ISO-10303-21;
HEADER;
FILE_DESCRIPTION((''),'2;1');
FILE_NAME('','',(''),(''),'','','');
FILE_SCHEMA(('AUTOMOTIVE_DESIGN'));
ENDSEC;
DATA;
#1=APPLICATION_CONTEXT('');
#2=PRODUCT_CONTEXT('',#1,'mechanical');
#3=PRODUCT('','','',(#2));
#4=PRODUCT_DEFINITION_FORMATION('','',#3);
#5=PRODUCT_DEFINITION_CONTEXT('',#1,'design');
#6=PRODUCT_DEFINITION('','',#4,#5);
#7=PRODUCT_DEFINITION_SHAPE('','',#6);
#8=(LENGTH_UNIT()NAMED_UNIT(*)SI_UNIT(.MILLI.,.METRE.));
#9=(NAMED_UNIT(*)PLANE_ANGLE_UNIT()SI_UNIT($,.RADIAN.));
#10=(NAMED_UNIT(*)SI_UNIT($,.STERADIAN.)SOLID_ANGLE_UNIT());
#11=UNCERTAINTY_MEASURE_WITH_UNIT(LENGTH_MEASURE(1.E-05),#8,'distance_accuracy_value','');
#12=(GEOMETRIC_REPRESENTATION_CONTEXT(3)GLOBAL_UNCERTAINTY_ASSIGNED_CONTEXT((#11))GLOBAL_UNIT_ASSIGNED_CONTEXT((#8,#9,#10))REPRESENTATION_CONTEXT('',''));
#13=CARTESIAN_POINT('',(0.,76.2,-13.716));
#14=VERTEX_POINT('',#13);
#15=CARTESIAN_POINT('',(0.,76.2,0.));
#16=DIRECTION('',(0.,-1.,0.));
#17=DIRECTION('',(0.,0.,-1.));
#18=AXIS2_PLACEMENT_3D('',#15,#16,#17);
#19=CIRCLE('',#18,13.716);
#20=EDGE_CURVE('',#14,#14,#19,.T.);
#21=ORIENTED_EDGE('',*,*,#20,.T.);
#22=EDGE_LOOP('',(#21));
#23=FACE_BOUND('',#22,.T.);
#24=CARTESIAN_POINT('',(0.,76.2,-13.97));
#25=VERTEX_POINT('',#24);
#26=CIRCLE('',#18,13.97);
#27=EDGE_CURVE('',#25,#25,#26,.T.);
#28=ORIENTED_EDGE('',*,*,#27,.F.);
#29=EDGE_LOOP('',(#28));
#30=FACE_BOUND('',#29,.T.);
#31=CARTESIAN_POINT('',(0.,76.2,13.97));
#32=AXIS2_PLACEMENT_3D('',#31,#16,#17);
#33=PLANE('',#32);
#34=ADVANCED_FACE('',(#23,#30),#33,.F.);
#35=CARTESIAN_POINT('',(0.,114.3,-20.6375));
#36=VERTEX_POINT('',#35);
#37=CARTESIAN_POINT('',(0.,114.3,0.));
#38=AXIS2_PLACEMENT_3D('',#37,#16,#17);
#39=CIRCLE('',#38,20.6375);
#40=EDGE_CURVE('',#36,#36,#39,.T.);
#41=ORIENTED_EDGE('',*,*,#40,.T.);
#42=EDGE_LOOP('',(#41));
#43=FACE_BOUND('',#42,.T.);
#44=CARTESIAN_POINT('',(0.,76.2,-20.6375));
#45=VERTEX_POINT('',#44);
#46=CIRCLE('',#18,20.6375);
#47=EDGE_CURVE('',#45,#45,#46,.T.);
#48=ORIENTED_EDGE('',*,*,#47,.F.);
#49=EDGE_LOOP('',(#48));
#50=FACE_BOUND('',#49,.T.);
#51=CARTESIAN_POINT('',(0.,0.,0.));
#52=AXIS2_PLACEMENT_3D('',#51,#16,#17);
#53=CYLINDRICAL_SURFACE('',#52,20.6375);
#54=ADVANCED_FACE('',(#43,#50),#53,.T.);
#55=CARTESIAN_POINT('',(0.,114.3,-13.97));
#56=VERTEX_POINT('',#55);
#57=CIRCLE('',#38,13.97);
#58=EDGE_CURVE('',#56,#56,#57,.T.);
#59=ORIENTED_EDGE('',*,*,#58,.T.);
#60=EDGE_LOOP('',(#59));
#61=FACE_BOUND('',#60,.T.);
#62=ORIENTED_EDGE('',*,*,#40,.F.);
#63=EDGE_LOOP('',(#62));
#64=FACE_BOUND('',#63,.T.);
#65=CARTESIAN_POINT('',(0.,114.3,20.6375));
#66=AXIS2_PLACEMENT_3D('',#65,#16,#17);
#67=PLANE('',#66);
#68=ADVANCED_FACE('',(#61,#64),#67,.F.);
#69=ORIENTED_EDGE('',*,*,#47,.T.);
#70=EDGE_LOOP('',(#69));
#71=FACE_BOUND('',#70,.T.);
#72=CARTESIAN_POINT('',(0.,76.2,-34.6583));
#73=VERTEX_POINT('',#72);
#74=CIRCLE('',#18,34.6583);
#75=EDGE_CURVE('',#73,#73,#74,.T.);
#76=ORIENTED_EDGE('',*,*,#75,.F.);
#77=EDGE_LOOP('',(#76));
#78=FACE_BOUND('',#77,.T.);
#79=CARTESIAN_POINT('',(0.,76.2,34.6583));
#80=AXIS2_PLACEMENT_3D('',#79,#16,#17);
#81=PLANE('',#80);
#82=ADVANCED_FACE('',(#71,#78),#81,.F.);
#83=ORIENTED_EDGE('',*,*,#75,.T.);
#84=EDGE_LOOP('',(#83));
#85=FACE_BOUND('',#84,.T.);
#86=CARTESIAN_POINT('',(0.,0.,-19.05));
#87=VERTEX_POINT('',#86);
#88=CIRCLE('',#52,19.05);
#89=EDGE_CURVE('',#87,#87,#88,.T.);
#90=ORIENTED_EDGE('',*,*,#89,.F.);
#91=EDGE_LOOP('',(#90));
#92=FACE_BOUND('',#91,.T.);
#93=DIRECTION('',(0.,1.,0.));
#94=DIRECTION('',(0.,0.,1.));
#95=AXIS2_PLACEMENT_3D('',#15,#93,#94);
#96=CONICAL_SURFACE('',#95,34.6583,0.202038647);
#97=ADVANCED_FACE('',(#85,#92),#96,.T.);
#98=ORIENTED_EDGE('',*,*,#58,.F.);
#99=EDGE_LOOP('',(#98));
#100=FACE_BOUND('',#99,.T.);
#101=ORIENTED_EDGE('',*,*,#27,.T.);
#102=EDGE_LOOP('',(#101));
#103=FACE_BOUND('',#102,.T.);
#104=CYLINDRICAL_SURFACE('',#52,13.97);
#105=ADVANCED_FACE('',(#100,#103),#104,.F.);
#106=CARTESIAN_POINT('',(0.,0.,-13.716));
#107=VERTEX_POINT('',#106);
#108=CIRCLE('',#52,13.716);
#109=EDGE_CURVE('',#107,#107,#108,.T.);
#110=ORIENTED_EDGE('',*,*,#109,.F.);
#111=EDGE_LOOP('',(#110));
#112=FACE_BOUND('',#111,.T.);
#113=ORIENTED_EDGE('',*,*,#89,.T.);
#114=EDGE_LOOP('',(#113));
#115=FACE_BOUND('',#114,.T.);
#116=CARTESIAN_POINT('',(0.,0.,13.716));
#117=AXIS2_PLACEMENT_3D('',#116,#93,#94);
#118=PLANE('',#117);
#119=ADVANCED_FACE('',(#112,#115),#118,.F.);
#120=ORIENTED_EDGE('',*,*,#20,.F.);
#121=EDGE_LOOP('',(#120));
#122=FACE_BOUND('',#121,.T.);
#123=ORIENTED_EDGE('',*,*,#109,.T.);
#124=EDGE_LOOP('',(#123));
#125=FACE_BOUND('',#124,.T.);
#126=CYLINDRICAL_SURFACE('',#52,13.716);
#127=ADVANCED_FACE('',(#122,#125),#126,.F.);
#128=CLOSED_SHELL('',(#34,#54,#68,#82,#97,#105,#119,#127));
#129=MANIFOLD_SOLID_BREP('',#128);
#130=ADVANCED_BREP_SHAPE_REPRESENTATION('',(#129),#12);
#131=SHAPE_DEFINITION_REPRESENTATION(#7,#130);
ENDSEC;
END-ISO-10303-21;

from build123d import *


with BuildPart() as part:
    # Sketch1 → Revolve1 (revolve)
    with BuildSketch(Plane(origin=(0, 0, 0), x_dir=(0, 0, -1), z_dir=(1, 0, 0))):
        Polygon((-13.716, 0), (-19.05, 0), (-34.6583, 76.2), (-20.6375, 76.2), (-20.6375, 114.3), (-13.97, 114.3), (-13.97, 76.2), (-13.716, 76.2), align=None)
    revolve(axis=Axis((0, 0, 0), (0, 1, 0)))


solid = part.part
